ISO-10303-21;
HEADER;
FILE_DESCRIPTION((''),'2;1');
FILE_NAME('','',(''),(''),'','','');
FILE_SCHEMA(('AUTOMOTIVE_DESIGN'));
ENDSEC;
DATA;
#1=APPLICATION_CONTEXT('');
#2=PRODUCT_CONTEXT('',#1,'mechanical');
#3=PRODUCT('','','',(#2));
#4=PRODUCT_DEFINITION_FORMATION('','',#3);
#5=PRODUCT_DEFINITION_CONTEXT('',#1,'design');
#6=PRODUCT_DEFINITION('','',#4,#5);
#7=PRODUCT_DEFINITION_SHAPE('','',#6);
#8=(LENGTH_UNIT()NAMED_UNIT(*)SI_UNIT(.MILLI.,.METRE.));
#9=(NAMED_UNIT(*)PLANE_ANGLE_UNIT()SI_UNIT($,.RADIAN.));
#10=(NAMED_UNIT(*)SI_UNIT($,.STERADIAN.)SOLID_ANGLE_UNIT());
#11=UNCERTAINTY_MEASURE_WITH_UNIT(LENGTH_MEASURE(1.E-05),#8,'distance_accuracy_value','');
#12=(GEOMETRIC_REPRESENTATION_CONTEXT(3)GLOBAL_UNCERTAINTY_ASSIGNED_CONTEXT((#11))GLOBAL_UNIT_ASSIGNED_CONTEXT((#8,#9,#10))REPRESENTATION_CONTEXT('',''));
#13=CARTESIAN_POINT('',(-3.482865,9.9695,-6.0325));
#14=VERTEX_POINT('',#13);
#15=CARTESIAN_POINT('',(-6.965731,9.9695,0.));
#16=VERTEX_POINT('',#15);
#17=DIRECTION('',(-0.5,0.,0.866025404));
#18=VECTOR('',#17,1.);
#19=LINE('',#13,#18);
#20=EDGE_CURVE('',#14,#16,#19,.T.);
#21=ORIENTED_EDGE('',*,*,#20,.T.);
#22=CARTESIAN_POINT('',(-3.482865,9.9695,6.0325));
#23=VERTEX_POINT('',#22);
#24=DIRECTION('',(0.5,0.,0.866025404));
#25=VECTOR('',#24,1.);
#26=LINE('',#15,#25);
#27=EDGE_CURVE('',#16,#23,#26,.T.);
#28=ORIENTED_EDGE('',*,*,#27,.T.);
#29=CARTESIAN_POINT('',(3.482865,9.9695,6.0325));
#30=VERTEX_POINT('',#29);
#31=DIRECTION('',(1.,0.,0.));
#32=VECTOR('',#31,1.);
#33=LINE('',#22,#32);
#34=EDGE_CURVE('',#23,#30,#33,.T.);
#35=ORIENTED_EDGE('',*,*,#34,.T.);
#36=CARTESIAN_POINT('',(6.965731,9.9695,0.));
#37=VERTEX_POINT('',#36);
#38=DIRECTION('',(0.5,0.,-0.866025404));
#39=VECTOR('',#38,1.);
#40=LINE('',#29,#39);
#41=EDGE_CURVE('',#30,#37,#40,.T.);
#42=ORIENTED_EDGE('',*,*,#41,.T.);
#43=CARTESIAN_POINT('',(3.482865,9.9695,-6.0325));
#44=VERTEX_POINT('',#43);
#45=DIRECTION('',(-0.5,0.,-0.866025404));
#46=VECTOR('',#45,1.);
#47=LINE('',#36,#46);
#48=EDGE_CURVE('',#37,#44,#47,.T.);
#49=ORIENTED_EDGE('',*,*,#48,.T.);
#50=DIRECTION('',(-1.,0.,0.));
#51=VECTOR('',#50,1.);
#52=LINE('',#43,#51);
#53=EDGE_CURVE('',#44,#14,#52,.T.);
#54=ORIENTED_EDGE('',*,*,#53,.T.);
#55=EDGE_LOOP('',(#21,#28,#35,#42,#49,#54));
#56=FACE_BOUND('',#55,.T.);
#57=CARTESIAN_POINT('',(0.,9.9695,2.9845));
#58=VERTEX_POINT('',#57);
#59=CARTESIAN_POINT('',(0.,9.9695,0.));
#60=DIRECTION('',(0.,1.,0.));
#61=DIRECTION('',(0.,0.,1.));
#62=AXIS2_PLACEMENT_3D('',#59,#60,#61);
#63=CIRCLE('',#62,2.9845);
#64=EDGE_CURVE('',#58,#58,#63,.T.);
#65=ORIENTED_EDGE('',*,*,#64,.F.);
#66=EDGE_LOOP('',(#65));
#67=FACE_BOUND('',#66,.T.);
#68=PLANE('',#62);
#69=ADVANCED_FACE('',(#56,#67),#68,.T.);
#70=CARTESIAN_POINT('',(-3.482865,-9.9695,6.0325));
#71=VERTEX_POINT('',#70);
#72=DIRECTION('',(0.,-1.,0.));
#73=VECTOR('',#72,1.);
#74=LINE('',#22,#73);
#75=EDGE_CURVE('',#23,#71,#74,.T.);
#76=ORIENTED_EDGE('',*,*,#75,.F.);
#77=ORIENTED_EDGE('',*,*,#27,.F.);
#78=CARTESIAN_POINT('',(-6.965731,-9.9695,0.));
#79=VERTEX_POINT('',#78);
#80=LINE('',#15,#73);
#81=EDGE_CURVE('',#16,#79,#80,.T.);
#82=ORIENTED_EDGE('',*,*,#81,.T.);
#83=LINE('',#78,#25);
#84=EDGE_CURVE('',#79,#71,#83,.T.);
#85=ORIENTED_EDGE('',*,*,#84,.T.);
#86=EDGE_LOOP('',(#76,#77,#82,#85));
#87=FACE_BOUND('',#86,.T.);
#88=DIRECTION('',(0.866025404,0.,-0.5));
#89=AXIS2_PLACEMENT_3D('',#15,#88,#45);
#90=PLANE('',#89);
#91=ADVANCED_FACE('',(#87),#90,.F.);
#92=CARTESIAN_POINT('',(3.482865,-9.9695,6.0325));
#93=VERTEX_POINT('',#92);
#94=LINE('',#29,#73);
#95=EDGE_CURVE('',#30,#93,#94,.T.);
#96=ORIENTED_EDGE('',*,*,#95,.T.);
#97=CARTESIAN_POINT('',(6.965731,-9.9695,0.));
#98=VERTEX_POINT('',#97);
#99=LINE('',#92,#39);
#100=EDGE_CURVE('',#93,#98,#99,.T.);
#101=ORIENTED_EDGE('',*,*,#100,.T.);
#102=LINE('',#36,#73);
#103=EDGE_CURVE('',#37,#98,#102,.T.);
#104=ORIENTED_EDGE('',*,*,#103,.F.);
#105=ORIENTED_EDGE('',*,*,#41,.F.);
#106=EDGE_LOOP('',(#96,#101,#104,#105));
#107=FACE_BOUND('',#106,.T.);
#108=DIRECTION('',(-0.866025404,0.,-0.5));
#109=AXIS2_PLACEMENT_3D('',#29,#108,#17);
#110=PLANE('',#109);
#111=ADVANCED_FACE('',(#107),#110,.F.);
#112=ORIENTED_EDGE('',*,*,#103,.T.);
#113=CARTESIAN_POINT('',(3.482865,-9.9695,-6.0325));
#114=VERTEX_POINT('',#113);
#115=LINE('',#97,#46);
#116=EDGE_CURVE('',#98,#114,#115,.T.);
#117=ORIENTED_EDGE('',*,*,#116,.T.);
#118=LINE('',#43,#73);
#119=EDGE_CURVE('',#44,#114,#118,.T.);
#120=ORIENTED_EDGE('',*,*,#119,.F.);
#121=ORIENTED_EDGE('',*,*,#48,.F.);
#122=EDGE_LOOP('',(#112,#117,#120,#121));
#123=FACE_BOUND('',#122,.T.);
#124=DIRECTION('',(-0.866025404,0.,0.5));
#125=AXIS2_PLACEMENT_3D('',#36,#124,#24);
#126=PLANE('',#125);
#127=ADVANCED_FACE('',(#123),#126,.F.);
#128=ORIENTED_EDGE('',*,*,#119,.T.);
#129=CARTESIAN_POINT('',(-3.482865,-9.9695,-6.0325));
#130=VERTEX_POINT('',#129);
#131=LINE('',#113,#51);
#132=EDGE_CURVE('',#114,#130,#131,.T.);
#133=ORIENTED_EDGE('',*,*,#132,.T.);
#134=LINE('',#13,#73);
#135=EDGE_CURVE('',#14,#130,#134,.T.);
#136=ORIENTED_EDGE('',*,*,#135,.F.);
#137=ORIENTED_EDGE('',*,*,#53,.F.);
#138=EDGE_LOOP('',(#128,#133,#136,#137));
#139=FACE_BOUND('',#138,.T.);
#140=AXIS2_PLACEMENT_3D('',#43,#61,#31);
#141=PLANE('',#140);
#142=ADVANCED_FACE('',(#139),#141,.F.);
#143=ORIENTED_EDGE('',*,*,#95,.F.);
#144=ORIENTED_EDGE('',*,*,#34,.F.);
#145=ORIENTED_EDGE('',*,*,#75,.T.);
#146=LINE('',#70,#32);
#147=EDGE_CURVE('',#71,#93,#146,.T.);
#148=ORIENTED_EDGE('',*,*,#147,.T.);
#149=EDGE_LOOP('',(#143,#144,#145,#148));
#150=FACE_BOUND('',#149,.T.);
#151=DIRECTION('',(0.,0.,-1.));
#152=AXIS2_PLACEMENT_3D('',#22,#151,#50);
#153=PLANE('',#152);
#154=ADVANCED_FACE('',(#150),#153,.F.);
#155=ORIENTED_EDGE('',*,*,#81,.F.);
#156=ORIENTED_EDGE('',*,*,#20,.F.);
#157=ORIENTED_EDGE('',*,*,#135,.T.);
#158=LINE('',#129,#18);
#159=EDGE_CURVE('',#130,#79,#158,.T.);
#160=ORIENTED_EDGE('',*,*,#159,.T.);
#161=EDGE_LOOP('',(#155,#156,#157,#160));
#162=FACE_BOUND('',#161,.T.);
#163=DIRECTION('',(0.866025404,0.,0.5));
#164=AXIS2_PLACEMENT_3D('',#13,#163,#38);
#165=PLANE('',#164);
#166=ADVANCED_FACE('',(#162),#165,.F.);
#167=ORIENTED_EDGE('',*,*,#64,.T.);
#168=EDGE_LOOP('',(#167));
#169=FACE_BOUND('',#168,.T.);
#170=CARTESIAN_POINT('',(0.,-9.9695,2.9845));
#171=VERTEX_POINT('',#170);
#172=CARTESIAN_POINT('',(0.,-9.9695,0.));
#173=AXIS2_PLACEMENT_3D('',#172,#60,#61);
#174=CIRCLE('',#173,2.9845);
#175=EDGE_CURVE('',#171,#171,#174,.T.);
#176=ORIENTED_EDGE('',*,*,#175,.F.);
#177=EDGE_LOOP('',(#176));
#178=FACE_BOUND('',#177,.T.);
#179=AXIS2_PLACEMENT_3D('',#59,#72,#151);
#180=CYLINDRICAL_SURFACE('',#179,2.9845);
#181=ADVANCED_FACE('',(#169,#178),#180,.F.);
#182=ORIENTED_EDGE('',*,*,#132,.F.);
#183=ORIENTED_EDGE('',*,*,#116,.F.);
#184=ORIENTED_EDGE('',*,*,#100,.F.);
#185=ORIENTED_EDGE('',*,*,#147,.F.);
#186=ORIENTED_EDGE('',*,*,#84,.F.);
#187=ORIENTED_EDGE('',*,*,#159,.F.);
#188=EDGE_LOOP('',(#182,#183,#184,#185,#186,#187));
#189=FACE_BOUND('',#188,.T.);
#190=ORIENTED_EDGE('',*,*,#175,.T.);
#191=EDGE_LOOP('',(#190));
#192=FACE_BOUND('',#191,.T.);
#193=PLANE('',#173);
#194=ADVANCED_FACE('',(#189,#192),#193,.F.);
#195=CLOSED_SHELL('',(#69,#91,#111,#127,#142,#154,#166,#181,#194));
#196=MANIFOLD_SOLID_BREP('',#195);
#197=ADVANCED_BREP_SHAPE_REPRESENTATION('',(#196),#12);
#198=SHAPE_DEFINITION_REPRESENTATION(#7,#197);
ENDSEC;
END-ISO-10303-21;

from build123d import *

# Parameters (mm, degrees)
SKETCH1_R           = 2.9845
BOSS_EXTRUDE1_DEPTH = 9.9695


with BuildPart() as part:
    # Sketch1 → Boss-Extrude1 (new body, symmetric)
    with BuildSketch(Plane(origin=(0, 0, 0), x_dir=(1, 0, 0), z_dir=(0, 1, 0))):
        Polygon((6.965730998, 0), (3.482865499, 6.0325), (-3.482865499, 6.0325), (-6.965730998, 0), (-3.482865499, -6.0325), (3.482865499, -6.0325), align=None)
        Circle(SKETCH1_R, mode=Mode.SUBTRACT)
    extrude(amount=BOSS_EXTRUDE1_DEPTH, both=True)


solid = part.part
